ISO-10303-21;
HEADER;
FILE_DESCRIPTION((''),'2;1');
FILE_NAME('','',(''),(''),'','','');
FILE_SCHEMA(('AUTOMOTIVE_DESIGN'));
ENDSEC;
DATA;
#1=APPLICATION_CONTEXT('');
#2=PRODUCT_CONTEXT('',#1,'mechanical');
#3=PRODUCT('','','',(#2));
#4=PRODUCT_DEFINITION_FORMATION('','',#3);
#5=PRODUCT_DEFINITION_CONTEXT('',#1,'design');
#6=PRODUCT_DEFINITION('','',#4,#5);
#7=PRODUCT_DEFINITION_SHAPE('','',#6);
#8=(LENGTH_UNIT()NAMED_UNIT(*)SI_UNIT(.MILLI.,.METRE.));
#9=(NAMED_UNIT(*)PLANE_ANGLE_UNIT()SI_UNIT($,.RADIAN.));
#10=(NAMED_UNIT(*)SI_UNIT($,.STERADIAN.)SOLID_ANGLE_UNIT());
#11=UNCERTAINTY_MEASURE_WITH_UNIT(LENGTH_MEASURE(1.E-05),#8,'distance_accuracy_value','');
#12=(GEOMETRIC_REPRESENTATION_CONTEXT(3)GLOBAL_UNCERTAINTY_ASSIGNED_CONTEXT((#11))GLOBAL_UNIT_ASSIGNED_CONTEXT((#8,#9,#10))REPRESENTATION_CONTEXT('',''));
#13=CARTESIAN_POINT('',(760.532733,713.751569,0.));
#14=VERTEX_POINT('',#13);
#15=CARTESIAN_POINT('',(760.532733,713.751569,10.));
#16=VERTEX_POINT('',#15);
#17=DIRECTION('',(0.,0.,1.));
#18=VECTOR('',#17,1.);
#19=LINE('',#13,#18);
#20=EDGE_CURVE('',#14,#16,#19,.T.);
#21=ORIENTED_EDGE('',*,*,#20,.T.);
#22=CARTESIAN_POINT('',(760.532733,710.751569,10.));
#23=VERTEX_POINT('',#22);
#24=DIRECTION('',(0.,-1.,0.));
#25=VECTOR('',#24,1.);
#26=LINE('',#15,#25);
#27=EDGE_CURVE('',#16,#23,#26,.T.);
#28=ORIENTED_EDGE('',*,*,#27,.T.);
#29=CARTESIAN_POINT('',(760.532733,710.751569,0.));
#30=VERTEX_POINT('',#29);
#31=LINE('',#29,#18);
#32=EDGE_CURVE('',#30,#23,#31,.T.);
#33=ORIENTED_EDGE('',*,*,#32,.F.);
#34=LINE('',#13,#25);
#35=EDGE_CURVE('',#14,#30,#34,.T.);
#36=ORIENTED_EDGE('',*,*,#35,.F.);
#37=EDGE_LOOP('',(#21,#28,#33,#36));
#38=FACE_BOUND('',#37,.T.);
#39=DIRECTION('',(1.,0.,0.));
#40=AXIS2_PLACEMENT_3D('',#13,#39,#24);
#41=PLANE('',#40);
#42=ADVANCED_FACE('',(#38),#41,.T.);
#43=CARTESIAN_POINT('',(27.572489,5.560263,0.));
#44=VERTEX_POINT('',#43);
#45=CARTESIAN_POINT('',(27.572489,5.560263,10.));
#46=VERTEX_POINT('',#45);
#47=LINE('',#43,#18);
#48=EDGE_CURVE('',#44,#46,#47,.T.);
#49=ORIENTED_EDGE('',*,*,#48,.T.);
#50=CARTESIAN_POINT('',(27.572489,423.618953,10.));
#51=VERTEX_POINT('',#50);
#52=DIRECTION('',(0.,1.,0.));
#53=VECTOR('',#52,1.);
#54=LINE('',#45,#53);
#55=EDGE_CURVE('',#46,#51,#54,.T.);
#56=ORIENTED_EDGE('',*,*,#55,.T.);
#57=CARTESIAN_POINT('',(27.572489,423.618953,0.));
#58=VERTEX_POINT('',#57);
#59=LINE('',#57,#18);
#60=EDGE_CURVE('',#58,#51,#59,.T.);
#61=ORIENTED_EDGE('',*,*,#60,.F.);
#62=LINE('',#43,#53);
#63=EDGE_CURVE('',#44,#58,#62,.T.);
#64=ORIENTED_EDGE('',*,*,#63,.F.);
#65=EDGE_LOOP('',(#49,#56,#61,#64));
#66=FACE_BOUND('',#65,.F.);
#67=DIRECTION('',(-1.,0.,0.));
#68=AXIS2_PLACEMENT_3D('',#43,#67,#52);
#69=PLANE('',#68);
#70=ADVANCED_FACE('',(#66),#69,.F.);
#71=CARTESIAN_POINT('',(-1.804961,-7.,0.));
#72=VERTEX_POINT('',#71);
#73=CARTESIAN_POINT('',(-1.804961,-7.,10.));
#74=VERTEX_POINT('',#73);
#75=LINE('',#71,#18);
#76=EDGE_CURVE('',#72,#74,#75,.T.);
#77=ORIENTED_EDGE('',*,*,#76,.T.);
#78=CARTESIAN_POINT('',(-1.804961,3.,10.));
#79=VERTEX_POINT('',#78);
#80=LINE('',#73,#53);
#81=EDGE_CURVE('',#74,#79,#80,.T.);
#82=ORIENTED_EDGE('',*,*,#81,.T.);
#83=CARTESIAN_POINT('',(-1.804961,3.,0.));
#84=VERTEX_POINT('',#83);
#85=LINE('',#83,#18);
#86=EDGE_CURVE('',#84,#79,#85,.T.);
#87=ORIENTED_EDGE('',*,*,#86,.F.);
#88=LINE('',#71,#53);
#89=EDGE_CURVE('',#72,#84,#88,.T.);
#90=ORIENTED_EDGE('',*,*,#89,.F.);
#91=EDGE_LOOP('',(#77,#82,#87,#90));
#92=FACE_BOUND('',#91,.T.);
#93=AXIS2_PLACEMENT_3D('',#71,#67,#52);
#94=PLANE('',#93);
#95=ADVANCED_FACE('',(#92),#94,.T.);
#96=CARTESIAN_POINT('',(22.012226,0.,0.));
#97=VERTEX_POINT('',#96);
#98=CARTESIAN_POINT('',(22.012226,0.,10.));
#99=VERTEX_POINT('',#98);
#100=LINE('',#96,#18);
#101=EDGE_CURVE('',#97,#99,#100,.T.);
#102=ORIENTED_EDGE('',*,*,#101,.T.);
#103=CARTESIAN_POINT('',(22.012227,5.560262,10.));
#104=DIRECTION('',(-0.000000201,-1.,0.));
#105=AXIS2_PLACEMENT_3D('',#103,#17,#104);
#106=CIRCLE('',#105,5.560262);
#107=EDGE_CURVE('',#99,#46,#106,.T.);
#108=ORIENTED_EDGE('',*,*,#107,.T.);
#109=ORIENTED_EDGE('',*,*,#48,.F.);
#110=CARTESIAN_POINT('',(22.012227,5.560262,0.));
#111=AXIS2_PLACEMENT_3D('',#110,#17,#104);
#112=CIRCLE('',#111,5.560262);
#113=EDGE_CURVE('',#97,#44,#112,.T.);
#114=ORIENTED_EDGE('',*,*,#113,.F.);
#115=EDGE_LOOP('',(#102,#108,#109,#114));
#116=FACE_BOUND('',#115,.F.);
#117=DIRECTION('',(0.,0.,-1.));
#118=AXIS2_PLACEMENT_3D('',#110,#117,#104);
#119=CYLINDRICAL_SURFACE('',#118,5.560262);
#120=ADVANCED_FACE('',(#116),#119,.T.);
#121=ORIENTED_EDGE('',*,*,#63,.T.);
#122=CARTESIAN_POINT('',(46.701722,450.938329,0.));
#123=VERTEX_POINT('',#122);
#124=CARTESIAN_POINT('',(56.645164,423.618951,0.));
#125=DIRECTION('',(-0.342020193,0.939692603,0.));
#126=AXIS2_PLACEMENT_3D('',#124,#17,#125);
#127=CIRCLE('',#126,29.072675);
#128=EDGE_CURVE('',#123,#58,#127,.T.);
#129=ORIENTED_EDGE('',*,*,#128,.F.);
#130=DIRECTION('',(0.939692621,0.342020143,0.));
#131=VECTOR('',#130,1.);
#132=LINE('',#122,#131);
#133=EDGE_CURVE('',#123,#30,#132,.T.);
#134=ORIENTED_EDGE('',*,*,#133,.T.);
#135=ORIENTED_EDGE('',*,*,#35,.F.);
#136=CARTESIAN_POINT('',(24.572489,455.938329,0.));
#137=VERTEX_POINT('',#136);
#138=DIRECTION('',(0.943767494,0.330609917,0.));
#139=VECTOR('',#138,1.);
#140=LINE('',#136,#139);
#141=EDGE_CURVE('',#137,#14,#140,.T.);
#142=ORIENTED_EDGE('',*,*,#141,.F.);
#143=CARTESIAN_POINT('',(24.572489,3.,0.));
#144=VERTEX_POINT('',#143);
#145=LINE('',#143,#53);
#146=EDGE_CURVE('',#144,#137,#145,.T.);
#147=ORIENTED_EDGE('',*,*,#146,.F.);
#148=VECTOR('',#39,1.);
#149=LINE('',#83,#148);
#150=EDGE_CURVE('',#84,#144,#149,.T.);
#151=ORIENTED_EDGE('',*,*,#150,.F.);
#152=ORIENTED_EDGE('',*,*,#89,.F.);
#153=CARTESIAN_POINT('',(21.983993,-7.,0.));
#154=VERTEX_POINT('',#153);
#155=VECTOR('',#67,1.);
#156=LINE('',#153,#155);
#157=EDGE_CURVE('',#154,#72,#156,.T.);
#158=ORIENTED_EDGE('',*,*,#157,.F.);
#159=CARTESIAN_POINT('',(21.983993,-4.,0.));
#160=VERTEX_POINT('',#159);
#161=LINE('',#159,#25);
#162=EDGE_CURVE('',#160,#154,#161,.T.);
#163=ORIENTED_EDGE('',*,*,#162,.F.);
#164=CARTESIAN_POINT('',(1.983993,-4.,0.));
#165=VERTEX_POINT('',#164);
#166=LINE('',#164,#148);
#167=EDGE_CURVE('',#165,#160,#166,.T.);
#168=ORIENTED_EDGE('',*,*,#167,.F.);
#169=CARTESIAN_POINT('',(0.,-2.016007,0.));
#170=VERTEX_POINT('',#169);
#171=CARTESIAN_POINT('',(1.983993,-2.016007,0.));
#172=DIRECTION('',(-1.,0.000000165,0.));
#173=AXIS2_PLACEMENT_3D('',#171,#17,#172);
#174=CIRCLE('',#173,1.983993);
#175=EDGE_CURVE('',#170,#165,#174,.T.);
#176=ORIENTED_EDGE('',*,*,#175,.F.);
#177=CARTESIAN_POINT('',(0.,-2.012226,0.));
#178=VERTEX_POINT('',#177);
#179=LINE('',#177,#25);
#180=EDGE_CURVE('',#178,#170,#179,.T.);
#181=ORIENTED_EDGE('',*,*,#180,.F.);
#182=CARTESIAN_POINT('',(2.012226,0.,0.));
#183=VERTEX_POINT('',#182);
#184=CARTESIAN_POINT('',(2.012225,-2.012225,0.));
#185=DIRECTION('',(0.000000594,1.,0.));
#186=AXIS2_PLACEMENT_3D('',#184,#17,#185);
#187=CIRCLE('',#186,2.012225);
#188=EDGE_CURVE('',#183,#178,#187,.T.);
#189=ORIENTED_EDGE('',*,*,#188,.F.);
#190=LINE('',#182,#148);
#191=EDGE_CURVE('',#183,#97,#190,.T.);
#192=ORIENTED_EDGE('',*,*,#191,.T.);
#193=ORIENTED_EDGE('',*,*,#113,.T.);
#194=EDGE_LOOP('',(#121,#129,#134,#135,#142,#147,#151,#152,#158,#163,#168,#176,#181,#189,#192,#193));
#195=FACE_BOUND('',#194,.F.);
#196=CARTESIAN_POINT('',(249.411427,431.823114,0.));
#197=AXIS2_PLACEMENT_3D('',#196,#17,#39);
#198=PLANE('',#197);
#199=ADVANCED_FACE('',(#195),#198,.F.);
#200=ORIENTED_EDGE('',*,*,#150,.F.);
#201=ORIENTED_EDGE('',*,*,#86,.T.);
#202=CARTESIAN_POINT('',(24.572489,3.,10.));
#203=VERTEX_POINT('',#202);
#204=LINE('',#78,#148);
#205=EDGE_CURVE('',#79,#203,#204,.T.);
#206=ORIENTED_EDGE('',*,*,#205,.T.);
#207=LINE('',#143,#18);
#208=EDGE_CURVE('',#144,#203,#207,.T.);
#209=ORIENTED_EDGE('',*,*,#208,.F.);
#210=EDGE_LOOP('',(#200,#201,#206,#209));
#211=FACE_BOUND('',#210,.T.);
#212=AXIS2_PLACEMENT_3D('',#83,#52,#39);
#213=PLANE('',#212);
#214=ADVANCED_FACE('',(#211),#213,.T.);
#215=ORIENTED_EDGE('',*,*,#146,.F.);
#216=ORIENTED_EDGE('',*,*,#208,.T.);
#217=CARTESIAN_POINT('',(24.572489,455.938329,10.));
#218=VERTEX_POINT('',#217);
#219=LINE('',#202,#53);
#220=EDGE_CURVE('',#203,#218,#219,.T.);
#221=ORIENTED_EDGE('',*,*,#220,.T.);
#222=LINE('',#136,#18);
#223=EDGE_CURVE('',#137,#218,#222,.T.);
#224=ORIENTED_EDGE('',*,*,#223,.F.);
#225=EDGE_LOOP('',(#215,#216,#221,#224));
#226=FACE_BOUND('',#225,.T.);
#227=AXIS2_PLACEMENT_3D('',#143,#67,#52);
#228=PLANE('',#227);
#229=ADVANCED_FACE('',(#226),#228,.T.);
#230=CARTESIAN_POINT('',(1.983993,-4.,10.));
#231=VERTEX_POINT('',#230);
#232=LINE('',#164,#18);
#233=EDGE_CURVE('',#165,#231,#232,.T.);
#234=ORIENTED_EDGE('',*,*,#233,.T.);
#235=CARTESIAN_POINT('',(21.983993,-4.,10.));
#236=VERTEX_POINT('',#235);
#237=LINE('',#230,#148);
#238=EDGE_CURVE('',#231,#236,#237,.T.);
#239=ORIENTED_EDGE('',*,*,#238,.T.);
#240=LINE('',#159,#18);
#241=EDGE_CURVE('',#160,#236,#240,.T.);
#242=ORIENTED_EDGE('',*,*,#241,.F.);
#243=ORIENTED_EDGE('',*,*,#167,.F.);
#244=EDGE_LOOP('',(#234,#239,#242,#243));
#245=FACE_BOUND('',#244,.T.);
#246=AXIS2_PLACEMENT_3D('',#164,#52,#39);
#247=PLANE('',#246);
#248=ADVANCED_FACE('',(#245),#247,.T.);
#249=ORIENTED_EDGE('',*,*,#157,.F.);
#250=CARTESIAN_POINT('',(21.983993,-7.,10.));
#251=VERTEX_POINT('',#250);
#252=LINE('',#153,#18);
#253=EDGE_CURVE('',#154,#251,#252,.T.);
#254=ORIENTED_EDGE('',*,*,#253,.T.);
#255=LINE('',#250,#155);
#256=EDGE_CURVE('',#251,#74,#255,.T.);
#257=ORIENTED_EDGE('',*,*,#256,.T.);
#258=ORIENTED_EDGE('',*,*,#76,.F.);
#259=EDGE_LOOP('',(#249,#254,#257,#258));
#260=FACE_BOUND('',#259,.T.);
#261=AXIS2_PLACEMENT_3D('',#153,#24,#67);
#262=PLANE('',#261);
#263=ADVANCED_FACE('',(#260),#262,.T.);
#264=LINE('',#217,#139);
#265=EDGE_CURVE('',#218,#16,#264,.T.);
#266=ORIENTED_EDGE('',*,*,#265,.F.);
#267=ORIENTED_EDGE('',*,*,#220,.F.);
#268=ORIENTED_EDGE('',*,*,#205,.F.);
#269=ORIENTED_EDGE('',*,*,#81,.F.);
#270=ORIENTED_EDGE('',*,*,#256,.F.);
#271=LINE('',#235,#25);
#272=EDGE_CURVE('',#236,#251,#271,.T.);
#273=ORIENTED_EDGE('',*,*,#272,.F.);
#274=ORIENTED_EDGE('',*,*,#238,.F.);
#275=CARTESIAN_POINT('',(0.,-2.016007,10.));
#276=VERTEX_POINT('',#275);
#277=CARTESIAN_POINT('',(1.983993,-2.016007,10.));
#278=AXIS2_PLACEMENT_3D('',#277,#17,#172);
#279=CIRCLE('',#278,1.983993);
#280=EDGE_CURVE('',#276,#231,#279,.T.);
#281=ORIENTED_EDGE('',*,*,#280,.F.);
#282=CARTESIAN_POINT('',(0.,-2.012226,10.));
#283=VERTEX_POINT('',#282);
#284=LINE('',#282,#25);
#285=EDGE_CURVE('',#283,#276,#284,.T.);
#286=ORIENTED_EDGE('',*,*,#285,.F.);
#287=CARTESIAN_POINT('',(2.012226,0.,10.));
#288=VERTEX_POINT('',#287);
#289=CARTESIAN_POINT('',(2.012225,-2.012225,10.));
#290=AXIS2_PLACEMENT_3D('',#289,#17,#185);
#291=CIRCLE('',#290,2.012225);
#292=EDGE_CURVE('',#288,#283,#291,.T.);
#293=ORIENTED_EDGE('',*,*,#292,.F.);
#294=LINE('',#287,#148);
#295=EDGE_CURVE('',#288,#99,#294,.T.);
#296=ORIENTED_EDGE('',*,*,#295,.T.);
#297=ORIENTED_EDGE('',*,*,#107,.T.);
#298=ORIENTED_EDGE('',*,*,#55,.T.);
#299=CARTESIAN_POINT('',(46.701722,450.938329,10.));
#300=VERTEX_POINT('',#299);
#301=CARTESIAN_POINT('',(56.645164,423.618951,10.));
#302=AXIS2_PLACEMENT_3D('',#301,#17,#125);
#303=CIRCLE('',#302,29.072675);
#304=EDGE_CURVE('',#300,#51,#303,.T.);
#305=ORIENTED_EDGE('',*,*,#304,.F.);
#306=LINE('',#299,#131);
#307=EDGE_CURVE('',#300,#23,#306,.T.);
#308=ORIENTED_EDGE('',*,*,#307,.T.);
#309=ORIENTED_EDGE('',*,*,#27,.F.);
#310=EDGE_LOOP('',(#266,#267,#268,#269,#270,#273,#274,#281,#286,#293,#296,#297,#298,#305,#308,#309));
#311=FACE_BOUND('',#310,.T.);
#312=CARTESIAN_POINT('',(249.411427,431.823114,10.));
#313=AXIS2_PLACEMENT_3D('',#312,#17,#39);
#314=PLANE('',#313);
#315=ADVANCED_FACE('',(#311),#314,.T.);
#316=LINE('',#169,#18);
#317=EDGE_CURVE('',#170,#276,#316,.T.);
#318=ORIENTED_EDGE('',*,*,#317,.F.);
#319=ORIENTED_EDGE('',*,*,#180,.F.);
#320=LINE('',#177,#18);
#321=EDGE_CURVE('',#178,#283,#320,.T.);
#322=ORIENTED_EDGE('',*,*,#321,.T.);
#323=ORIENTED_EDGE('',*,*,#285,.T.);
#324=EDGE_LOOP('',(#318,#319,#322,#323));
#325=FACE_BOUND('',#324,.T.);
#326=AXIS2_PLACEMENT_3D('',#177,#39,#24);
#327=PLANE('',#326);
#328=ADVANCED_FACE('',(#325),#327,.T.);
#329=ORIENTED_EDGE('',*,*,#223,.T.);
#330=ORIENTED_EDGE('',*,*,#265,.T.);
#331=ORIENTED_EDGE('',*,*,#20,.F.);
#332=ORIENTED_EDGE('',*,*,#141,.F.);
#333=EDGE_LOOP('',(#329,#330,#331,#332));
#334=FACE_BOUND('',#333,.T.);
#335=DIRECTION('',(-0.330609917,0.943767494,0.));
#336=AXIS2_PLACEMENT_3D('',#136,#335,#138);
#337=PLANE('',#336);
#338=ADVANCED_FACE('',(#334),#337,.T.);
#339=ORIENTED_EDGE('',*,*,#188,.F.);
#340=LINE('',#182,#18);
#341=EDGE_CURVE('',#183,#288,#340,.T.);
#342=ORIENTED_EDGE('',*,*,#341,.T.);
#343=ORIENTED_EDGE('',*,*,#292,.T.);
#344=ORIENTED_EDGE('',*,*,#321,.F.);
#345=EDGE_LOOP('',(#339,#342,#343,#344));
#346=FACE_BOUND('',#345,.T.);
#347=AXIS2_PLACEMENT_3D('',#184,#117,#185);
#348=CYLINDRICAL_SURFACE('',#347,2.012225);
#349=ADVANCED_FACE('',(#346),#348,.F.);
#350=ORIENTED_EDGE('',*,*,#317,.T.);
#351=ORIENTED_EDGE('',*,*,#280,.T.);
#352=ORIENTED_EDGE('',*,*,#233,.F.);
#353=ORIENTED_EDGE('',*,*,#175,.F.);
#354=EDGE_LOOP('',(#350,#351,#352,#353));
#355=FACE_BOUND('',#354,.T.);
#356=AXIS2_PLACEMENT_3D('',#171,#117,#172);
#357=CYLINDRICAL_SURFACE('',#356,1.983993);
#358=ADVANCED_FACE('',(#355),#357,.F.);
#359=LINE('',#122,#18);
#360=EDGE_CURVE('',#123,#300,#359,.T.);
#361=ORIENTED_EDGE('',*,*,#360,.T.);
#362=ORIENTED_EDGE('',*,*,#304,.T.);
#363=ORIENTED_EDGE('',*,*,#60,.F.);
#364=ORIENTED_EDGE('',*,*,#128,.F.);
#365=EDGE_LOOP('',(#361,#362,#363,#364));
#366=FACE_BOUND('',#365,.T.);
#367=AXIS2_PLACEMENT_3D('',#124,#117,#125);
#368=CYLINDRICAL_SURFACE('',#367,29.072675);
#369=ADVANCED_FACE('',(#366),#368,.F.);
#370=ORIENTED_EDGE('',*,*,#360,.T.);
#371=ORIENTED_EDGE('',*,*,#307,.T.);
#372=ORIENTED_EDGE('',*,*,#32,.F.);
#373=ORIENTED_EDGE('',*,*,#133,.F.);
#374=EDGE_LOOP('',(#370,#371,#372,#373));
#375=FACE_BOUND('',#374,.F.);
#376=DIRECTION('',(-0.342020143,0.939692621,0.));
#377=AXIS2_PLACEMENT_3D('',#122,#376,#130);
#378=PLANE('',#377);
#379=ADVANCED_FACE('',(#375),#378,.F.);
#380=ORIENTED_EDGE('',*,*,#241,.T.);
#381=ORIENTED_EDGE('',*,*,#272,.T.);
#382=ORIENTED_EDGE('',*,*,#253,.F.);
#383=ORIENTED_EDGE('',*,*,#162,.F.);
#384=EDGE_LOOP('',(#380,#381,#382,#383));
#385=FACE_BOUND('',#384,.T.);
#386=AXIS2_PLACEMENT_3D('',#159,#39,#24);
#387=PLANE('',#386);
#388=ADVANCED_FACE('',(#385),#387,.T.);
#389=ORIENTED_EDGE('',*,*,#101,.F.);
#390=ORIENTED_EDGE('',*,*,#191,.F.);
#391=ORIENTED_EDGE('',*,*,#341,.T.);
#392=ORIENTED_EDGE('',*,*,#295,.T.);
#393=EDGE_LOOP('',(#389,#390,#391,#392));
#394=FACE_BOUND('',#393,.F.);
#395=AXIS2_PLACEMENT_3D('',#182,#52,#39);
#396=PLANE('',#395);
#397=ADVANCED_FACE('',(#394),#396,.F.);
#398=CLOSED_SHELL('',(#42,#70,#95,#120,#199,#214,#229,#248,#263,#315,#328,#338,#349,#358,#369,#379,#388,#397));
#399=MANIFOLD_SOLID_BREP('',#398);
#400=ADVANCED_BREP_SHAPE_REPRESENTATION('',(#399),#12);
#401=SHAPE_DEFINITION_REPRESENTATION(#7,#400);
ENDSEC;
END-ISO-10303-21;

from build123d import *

# Parameters (mm, degrees)
PAD_DEPTH = 10


with BuildPart() as part:
    # Sketch → Pad (new body)
    with BuildSketch(Plane.XY):
        with BuildLine():
            Line((2.012226, 0), (22.012226, 0))
            ThreePointArc((22.012226, 0), (25.943926, 1.628563), (27.572489, 5.560263))
            Line((27.572489, 5.560263), (27.572489, 423.618953))
            ThreePointArc((46.701722, 450.938329), (32.830223, 440.294353), (27.572489, 423.618953))
            Line((46.701722, 450.938329), (760.532733, 710.751569))
            Line((760.532733, 713.751569), (760.532733, 710.751569))
            Line((24.572489, 455.938329), (760.532733, 713.751569))
            Line((24.572489, 3), (24.572489, 455.938329))
            Line((-1.804961, 3), (24.572489, 3))
            Line((-1.804961, -7), (-1.804961, 3))
            Line((21.983993, -7), (-1.804961, -7))
            Line((21.983993, -4), (21.983993, -7))
            Line((1.983993, -4), (21.983993, -4))
            ThreePointArc((0, -2.016007), (0.581098, -3.418902), (1.983993, -4))
            Line((0, -2.012226), (0, -2.016007))
            ThreePointArc((2.012226, 0), (0.589367, -0.589367), (0, -2.012226))
        make_face()
    extrude(amount=PAD_DEPTH)


solid = part.part
